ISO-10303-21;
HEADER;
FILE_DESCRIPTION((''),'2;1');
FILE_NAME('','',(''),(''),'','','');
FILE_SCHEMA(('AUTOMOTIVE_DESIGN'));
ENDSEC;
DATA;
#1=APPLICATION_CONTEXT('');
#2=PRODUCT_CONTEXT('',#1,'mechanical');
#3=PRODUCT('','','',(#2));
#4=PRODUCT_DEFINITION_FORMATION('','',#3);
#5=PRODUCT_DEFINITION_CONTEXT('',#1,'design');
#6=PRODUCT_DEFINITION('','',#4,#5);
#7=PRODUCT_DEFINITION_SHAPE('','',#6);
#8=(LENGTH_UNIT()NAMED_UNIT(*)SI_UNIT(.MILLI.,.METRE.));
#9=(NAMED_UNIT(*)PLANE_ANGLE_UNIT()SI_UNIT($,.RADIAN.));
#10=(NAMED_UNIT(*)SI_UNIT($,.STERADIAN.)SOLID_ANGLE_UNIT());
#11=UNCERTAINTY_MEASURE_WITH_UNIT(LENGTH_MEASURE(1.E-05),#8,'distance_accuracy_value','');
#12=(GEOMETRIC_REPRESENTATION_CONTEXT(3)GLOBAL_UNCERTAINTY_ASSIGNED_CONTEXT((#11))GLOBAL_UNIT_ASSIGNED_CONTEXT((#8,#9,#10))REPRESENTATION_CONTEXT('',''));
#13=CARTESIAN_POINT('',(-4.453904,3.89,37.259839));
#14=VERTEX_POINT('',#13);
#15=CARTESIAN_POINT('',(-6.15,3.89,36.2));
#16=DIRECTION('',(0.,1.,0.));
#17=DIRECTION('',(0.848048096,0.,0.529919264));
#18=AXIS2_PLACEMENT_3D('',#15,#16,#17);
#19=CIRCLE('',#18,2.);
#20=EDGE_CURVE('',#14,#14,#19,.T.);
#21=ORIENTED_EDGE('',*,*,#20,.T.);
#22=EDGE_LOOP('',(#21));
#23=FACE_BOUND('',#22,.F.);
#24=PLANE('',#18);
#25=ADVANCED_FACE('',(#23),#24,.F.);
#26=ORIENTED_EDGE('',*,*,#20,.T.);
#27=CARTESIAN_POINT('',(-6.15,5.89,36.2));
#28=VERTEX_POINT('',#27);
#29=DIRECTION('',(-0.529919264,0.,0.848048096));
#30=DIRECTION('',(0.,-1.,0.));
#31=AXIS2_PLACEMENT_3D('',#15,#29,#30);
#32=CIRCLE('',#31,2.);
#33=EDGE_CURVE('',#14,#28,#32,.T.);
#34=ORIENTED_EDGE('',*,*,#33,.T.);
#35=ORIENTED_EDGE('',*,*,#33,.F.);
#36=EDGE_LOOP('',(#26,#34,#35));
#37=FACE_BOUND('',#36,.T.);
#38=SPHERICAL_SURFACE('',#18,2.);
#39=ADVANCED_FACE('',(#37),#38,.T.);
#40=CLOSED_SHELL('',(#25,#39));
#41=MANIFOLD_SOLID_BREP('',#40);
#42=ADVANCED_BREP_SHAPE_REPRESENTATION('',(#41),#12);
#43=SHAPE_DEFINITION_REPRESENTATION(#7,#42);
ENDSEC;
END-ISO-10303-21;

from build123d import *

# Parameters (mm, degrees)
BOX155_W           = 10
BOX155_H           = 10
BOX155_DEPTH       = 10
CUT074_ROLL_ANGLE  = -90
CUT074_PITCH_ANGLE = -32


with BuildPart() as cube010:
    # Box155 → Box155 (new body)
    with BuildSketch(Plane(origin=(-5, -5, -10), x_dir=(1, 0, 0), z_dir=(0, 0, 1))):
        with Locations((5, 5)):
            Rectangle(BOX155_W, BOX155_H)
    extrude(amount=BOX155_DEPTH)


with BuildPart() as sapphire_half_ball_lens010:
    # Sphere010 → Sphere010 (revolve)
    with BuildSketch(Plane.XZ):
        with BuildLine():
            ThreePointArc((0, -2), (2, 0), (0, 2))
            Line((0, 2), (0, -2))
        make_face()
    revolve(axis=Axis((0, 0, 0), (0, 0, 1)))

    # Cut074: cut Cube010
    add(cube010.part, mode=Mode.SUBTRACT)


with BuildPart() as sapphire_half_ball_lens010_1:
    # Cut074 roll: moved
    add(sapphire_half_ball_lens010.part.rotate(Axis((0, 0, 0), (1, 0, 0)), CUT074_ROLL_ANGLE))


with BuildPart() as sapphire_half_ball_lens010_2:
    # Cut074 pitch: moved
    add(sapphire_half_ball_lens010_1.part.rotate(Axis((0, 0, 0), (0, 1, 0)), CUT074_PITCH_ANGLE))


with BuildPart() as sapphire_half_ball_lens010_3:
    # Cut074 placement: moved
    add(sapphire_half_ball_lens010_2.part.moved(Location((-6.15, 3.89, 36.2))))


solid = sapphire_half_ball_lens010_3.part
